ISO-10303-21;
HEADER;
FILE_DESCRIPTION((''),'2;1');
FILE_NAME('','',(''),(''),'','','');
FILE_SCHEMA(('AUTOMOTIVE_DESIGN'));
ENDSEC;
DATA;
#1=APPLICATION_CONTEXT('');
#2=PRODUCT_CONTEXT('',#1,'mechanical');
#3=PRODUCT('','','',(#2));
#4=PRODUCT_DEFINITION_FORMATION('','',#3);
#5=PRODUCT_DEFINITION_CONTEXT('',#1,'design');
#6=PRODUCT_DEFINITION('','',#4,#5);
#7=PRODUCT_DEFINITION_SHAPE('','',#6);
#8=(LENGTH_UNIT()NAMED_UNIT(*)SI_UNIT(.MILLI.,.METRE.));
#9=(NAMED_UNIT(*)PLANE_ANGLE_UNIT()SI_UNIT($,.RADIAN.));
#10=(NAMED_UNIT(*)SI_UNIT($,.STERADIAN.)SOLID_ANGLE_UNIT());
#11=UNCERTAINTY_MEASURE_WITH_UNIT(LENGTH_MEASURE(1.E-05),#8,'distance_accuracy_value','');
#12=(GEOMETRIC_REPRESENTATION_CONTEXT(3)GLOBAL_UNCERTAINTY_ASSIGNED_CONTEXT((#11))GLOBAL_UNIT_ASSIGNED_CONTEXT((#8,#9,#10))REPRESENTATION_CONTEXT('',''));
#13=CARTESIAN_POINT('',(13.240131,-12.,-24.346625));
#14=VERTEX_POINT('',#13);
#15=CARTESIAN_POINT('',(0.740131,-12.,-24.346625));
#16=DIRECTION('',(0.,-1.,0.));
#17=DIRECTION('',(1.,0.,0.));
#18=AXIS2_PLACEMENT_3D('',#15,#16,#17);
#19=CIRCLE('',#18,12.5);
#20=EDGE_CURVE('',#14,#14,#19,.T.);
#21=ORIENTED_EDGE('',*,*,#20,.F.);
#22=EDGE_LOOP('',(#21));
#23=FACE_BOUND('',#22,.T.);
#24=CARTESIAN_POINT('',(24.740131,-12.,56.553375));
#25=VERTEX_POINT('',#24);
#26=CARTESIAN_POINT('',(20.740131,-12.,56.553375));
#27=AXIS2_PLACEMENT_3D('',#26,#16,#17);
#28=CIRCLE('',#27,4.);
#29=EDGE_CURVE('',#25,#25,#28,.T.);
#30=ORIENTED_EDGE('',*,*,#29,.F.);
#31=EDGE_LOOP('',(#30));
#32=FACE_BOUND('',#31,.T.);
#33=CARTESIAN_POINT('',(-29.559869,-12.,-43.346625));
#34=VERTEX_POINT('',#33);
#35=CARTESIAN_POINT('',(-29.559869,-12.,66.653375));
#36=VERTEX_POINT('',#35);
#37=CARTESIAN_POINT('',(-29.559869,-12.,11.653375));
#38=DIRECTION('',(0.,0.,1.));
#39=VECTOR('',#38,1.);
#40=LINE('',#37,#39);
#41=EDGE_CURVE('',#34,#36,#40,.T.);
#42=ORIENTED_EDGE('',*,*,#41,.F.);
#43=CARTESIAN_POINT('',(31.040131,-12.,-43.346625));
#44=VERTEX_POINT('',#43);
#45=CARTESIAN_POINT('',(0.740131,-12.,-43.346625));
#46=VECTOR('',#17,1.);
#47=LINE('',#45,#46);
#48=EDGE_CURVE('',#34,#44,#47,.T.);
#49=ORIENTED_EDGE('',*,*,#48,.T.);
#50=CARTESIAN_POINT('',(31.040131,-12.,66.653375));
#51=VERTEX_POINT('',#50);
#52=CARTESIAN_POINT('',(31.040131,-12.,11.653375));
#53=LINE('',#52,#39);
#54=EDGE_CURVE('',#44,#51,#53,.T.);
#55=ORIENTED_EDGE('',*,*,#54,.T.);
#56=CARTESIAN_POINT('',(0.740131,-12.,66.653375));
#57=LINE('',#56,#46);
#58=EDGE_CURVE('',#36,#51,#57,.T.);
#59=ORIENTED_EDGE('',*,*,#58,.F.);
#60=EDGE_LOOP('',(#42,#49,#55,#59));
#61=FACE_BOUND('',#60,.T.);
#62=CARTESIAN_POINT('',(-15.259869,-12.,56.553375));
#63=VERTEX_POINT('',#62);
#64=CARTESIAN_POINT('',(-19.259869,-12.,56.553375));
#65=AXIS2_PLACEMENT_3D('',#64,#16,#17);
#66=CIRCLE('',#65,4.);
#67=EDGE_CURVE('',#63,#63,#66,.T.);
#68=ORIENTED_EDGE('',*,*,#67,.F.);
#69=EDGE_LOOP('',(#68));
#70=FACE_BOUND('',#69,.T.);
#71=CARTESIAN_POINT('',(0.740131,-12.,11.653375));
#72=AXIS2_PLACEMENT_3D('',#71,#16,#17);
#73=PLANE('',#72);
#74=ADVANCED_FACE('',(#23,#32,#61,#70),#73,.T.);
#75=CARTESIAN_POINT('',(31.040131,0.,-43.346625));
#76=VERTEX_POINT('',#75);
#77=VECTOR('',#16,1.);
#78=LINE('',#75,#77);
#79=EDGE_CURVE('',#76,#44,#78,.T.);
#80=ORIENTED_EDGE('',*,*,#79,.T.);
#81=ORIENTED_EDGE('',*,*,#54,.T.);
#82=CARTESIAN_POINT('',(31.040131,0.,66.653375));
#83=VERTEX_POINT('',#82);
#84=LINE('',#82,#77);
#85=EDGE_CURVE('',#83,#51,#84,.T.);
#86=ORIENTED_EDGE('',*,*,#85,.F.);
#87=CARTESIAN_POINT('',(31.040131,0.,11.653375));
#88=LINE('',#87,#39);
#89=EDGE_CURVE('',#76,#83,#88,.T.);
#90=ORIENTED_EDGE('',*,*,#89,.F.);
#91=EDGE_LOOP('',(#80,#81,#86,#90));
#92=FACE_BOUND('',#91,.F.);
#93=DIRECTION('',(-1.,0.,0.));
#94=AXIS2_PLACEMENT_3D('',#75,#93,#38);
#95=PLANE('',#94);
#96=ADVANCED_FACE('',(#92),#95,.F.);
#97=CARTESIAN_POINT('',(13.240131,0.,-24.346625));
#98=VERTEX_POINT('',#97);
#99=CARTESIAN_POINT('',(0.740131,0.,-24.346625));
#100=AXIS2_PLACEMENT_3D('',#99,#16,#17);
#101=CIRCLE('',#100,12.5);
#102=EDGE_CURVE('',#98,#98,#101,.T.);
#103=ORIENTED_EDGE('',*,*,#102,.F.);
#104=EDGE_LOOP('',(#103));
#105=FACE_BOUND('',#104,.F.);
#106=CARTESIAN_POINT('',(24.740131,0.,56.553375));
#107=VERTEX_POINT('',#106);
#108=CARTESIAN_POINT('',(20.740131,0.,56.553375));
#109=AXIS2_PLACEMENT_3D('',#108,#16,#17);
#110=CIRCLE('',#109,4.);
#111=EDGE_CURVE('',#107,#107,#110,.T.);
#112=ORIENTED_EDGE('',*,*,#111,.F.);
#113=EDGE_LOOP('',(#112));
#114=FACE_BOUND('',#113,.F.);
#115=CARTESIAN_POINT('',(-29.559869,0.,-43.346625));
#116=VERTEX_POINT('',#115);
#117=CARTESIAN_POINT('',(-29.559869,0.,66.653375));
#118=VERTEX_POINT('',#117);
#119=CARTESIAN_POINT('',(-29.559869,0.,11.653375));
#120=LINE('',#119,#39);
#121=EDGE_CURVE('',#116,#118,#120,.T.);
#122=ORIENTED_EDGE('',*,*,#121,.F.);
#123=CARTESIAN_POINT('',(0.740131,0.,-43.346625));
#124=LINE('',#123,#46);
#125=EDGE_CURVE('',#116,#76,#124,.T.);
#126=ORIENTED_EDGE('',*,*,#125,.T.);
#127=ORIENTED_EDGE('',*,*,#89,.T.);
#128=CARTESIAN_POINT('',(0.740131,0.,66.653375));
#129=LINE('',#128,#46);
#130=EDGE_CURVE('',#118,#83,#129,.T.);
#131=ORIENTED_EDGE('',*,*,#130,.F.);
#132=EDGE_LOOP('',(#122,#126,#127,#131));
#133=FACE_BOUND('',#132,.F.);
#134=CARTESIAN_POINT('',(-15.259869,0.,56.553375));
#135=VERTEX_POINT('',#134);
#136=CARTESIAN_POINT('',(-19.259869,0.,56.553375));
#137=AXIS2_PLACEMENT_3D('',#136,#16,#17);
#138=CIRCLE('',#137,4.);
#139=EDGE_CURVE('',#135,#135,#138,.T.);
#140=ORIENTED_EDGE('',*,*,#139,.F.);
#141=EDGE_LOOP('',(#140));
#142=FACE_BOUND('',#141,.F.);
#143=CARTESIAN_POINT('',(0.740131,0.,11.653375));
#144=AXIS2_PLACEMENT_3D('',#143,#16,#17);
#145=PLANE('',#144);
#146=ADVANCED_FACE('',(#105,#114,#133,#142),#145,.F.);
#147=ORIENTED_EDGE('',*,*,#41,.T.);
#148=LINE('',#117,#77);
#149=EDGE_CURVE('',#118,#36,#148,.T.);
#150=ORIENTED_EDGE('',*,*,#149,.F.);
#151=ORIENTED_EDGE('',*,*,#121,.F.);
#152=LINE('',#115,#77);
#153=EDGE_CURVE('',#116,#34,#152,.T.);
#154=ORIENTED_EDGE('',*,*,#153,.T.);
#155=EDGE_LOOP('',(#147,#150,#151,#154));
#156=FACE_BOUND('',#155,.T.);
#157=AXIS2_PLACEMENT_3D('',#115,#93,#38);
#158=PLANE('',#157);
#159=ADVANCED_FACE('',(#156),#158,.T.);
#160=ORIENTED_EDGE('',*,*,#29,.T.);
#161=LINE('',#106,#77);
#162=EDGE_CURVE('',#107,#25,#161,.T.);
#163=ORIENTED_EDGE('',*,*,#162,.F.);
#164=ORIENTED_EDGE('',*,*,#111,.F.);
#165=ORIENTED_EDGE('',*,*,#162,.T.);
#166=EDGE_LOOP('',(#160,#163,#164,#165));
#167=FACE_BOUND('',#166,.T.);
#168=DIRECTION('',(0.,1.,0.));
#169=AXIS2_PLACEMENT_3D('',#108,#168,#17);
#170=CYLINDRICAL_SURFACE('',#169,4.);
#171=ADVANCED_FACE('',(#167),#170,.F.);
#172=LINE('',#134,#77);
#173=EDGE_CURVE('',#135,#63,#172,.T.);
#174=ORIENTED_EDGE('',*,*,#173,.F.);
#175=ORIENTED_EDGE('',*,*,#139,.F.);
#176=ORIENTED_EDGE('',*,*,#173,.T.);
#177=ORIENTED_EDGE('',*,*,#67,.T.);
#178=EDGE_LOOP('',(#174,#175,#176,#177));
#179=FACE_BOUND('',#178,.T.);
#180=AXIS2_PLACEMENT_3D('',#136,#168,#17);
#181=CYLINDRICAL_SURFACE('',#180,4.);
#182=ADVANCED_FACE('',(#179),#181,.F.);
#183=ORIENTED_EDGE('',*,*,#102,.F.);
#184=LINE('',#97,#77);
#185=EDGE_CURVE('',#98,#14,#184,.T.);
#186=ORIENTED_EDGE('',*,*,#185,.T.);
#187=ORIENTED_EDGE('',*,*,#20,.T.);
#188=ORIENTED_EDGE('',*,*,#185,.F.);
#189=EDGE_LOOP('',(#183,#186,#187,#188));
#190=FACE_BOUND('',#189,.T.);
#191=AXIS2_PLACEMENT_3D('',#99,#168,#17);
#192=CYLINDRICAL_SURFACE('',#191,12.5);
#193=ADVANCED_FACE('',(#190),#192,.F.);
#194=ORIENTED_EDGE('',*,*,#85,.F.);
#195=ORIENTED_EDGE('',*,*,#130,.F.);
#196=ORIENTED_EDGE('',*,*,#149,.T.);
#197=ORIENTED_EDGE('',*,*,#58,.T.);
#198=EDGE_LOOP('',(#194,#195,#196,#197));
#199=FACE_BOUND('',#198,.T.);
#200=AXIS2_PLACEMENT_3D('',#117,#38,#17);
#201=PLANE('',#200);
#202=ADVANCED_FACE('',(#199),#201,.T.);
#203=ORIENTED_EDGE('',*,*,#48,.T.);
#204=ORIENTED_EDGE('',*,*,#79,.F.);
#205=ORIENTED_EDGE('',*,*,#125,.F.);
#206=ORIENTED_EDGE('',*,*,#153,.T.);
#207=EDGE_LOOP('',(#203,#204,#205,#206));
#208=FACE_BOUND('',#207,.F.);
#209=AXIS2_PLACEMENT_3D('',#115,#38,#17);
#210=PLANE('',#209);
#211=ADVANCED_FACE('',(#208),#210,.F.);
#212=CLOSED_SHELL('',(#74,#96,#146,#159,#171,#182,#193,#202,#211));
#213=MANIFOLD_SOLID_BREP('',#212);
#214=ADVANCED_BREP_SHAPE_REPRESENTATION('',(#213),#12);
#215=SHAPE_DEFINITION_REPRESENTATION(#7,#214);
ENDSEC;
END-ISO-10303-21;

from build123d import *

# Parameters (mm, degrees)
F0_W     = 60.6
F0_H     = 110
F0_R     = 12.5
F0_R_2   = 4
F1_DEPTH = 12


with BuildPart() as f1:
    # F0 (on Front) → F1 (new body)
    with BuildSketch(Plane.XZ):
        with Locations((0.740131, 11.653375)):
            Rectangle(F0_W, F0_H)
        with Locations((0.740131, -24.346625)):
            Circle(F0_R, mode=Mode.SUBTRACT)
        with Locations((-19.259869, 56.553375)):
            Circle(F0_R_2, mode=Mode.SUBTRACT)
        with Locations((20.740131, 56.553375)):
            Circle(F0_R_2, mode=Mode.SUBTRACT)
    extrude(amount=F1_DEPTH)


solid = f1.part
